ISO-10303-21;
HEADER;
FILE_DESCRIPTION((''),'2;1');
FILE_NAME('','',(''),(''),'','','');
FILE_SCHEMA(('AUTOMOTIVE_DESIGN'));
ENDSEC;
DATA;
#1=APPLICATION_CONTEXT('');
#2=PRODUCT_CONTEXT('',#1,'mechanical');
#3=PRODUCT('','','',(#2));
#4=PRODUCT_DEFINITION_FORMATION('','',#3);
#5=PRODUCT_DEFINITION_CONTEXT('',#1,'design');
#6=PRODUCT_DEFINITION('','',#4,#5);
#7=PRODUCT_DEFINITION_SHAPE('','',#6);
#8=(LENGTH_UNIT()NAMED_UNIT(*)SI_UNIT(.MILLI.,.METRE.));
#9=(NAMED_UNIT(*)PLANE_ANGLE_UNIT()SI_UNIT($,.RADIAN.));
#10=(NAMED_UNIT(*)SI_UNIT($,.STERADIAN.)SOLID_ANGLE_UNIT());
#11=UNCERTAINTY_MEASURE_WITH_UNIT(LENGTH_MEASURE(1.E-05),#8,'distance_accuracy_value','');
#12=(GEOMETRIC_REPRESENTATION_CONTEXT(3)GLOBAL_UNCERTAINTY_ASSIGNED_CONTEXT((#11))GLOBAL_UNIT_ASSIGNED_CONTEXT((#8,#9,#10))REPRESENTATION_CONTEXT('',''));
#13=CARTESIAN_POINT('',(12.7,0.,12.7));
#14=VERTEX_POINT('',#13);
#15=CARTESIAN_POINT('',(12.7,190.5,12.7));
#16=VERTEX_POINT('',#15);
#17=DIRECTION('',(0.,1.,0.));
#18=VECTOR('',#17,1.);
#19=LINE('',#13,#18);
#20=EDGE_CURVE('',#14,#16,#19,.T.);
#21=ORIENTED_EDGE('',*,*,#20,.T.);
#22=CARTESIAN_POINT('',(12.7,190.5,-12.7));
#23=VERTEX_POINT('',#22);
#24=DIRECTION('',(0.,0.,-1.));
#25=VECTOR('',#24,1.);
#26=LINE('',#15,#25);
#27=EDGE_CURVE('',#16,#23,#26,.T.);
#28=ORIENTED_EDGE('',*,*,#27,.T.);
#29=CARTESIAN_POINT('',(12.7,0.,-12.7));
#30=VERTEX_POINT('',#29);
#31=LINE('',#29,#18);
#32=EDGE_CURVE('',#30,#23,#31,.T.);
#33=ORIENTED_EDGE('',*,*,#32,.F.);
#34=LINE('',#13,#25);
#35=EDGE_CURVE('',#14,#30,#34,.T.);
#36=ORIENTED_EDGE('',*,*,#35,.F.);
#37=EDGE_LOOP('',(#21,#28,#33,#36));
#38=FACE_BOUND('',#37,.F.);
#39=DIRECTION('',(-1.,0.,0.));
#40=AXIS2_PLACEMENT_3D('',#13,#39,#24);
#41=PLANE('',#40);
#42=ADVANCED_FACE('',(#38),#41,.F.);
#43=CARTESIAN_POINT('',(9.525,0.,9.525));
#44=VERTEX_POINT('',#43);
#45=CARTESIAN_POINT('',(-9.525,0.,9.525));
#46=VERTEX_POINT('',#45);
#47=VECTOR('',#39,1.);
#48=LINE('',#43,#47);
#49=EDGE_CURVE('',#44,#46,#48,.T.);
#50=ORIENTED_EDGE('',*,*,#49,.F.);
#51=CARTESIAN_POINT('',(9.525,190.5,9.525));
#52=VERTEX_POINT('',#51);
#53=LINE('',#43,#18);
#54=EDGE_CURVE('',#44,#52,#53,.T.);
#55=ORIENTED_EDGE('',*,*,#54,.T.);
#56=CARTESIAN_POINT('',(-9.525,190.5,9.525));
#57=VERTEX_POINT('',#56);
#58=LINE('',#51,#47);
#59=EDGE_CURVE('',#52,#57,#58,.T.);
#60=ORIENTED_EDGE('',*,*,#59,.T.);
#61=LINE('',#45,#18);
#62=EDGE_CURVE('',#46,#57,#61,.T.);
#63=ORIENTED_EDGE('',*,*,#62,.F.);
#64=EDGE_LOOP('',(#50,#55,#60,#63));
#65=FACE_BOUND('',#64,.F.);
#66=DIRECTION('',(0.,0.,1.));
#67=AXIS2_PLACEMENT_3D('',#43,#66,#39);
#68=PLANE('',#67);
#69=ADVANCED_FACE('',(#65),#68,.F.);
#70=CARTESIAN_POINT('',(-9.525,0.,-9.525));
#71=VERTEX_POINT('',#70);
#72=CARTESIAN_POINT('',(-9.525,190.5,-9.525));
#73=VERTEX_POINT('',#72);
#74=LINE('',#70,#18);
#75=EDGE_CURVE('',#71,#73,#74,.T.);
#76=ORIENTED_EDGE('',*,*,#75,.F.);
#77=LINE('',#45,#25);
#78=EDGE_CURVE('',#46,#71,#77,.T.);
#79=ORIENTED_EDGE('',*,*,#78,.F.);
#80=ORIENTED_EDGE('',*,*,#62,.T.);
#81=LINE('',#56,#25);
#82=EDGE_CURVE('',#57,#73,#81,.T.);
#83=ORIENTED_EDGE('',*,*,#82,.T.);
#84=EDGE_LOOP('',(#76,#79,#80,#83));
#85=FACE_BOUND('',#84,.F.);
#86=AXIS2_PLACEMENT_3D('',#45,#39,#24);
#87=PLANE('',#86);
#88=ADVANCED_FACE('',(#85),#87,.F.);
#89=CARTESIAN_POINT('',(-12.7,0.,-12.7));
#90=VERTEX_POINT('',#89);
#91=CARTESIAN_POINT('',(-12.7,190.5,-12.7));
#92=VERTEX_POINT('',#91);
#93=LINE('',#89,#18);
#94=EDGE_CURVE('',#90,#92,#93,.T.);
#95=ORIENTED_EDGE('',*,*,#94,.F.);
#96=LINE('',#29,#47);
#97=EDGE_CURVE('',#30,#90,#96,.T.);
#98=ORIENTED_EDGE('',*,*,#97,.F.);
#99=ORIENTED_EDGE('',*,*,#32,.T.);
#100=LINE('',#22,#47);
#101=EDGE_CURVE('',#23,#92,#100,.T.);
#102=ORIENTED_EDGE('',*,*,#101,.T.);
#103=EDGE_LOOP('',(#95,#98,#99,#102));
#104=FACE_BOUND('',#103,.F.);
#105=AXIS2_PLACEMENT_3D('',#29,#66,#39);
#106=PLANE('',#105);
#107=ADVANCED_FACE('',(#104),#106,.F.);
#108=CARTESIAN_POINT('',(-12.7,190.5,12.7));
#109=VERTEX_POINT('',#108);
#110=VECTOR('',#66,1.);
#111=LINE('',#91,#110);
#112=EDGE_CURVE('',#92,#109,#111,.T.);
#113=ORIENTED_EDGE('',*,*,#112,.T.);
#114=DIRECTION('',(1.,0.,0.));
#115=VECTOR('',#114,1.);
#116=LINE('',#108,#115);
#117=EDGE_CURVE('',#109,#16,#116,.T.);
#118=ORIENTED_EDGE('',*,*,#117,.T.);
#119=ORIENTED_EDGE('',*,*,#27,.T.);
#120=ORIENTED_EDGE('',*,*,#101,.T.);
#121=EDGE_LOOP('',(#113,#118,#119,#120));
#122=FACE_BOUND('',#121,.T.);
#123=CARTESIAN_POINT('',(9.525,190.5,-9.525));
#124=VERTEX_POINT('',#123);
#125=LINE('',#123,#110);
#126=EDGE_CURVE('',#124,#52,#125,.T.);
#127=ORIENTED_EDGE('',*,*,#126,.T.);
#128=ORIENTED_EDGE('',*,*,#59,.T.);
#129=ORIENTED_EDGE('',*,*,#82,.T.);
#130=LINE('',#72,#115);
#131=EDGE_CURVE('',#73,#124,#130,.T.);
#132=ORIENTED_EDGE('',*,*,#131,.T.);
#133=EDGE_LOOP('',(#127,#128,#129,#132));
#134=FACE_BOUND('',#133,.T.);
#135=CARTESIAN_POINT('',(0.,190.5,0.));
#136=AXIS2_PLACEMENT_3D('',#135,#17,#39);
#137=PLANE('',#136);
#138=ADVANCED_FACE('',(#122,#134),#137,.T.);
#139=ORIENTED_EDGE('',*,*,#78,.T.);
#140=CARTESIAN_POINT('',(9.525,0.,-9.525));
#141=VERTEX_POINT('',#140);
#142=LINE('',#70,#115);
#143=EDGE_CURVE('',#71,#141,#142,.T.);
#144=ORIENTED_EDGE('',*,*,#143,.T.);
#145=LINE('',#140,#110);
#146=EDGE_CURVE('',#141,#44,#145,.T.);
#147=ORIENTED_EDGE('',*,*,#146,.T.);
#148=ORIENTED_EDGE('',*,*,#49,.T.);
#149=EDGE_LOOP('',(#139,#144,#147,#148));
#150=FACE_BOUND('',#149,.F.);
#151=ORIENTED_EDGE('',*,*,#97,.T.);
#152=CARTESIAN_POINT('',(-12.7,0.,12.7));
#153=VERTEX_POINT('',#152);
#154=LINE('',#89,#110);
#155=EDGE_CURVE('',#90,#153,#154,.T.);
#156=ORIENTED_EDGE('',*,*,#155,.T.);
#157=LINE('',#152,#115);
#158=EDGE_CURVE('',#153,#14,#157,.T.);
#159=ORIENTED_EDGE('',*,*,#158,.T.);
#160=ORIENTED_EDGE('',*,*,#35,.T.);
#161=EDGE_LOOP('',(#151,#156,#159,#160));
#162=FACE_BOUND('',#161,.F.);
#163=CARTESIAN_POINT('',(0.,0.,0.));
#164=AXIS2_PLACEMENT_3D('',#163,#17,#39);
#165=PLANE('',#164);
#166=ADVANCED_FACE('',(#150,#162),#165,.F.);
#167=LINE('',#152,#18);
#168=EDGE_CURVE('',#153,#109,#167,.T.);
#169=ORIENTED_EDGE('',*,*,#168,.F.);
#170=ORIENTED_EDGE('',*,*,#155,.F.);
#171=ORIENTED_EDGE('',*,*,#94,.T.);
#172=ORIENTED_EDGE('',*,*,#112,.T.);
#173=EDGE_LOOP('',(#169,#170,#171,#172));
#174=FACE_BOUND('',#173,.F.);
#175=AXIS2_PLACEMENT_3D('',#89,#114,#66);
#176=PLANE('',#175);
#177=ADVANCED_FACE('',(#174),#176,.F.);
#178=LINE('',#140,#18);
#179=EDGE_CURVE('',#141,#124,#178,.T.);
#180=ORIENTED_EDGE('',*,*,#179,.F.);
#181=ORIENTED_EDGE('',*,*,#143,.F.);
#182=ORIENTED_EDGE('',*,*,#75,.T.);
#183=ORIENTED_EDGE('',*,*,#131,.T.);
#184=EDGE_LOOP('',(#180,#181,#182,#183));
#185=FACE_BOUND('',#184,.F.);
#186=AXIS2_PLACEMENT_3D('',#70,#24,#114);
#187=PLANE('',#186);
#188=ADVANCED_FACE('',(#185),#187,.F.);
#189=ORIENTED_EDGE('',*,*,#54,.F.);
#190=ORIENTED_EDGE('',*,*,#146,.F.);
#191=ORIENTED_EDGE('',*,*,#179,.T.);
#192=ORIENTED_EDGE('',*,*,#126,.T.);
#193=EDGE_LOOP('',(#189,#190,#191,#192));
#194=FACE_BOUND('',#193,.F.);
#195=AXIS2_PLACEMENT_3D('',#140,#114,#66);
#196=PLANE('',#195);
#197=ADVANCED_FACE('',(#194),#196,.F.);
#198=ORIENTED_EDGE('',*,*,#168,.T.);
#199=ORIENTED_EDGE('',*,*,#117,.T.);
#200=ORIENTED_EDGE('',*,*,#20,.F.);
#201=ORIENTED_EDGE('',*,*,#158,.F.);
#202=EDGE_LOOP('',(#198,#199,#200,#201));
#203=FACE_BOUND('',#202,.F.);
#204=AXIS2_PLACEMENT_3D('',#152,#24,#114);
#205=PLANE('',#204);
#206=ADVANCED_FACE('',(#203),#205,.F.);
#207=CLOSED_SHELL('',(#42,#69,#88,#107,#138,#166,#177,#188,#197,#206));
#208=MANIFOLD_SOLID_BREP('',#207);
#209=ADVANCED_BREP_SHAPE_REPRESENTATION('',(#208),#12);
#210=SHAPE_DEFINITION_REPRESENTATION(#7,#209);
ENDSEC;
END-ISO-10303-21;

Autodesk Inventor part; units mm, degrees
ref_plane "YZ Plane" through (0, 0, 0) normal (1, 0, 0) x (0, 1, 0)
ref_plane "XZ Plane" through (0, 0, 0) normal (0, 1, 0) x (-1, 0, 0)
ref_plane "XY Plane" through (0, 0, 0) normal (0, 0, 1) x (1, 0, 0)
sketch "Sketch1" plane through (0, 0, 0) normal (0, 1, 0) x (-1, 0, 0)
  line L0 (-12.7, -12.7) -> (12.7, -12.7)
  line L1 (12.7, -12.7) -> (12.7, 12.7)
  line L2 (12.7, 12.7) -> (-12.7, 12.7)
  line L3 (-12.7, 12.7) -> (-12.7, -12.7)
  line L4 (-12.7, -12.7) -> (12.7, 12.7) construction
  line L5 (12.7, -12.7) -> (-12.7, 12.7) construction
  line L6 (9.525, 9.525) -> (9.525, -9.525)
  line L7 (9.525, -9.525) -> (-9.525, -9.525)
  line L8 (-9.525, -9.525) -> (-9.525, 9.525)
  line L9 (-9.525, 9.525) -> (9.525, 9.525)
  point P0 (0, 0)
  dimension "d0" = 25.4
  dimension "d1" = 25.4
  dimension "d2" = 3.175
extrude "Extrusion1" add sketch "Sketch1" along normal blind 190.5
properties part number "STRU_015_BilletPole_9in" material "Aluminum 6061"
